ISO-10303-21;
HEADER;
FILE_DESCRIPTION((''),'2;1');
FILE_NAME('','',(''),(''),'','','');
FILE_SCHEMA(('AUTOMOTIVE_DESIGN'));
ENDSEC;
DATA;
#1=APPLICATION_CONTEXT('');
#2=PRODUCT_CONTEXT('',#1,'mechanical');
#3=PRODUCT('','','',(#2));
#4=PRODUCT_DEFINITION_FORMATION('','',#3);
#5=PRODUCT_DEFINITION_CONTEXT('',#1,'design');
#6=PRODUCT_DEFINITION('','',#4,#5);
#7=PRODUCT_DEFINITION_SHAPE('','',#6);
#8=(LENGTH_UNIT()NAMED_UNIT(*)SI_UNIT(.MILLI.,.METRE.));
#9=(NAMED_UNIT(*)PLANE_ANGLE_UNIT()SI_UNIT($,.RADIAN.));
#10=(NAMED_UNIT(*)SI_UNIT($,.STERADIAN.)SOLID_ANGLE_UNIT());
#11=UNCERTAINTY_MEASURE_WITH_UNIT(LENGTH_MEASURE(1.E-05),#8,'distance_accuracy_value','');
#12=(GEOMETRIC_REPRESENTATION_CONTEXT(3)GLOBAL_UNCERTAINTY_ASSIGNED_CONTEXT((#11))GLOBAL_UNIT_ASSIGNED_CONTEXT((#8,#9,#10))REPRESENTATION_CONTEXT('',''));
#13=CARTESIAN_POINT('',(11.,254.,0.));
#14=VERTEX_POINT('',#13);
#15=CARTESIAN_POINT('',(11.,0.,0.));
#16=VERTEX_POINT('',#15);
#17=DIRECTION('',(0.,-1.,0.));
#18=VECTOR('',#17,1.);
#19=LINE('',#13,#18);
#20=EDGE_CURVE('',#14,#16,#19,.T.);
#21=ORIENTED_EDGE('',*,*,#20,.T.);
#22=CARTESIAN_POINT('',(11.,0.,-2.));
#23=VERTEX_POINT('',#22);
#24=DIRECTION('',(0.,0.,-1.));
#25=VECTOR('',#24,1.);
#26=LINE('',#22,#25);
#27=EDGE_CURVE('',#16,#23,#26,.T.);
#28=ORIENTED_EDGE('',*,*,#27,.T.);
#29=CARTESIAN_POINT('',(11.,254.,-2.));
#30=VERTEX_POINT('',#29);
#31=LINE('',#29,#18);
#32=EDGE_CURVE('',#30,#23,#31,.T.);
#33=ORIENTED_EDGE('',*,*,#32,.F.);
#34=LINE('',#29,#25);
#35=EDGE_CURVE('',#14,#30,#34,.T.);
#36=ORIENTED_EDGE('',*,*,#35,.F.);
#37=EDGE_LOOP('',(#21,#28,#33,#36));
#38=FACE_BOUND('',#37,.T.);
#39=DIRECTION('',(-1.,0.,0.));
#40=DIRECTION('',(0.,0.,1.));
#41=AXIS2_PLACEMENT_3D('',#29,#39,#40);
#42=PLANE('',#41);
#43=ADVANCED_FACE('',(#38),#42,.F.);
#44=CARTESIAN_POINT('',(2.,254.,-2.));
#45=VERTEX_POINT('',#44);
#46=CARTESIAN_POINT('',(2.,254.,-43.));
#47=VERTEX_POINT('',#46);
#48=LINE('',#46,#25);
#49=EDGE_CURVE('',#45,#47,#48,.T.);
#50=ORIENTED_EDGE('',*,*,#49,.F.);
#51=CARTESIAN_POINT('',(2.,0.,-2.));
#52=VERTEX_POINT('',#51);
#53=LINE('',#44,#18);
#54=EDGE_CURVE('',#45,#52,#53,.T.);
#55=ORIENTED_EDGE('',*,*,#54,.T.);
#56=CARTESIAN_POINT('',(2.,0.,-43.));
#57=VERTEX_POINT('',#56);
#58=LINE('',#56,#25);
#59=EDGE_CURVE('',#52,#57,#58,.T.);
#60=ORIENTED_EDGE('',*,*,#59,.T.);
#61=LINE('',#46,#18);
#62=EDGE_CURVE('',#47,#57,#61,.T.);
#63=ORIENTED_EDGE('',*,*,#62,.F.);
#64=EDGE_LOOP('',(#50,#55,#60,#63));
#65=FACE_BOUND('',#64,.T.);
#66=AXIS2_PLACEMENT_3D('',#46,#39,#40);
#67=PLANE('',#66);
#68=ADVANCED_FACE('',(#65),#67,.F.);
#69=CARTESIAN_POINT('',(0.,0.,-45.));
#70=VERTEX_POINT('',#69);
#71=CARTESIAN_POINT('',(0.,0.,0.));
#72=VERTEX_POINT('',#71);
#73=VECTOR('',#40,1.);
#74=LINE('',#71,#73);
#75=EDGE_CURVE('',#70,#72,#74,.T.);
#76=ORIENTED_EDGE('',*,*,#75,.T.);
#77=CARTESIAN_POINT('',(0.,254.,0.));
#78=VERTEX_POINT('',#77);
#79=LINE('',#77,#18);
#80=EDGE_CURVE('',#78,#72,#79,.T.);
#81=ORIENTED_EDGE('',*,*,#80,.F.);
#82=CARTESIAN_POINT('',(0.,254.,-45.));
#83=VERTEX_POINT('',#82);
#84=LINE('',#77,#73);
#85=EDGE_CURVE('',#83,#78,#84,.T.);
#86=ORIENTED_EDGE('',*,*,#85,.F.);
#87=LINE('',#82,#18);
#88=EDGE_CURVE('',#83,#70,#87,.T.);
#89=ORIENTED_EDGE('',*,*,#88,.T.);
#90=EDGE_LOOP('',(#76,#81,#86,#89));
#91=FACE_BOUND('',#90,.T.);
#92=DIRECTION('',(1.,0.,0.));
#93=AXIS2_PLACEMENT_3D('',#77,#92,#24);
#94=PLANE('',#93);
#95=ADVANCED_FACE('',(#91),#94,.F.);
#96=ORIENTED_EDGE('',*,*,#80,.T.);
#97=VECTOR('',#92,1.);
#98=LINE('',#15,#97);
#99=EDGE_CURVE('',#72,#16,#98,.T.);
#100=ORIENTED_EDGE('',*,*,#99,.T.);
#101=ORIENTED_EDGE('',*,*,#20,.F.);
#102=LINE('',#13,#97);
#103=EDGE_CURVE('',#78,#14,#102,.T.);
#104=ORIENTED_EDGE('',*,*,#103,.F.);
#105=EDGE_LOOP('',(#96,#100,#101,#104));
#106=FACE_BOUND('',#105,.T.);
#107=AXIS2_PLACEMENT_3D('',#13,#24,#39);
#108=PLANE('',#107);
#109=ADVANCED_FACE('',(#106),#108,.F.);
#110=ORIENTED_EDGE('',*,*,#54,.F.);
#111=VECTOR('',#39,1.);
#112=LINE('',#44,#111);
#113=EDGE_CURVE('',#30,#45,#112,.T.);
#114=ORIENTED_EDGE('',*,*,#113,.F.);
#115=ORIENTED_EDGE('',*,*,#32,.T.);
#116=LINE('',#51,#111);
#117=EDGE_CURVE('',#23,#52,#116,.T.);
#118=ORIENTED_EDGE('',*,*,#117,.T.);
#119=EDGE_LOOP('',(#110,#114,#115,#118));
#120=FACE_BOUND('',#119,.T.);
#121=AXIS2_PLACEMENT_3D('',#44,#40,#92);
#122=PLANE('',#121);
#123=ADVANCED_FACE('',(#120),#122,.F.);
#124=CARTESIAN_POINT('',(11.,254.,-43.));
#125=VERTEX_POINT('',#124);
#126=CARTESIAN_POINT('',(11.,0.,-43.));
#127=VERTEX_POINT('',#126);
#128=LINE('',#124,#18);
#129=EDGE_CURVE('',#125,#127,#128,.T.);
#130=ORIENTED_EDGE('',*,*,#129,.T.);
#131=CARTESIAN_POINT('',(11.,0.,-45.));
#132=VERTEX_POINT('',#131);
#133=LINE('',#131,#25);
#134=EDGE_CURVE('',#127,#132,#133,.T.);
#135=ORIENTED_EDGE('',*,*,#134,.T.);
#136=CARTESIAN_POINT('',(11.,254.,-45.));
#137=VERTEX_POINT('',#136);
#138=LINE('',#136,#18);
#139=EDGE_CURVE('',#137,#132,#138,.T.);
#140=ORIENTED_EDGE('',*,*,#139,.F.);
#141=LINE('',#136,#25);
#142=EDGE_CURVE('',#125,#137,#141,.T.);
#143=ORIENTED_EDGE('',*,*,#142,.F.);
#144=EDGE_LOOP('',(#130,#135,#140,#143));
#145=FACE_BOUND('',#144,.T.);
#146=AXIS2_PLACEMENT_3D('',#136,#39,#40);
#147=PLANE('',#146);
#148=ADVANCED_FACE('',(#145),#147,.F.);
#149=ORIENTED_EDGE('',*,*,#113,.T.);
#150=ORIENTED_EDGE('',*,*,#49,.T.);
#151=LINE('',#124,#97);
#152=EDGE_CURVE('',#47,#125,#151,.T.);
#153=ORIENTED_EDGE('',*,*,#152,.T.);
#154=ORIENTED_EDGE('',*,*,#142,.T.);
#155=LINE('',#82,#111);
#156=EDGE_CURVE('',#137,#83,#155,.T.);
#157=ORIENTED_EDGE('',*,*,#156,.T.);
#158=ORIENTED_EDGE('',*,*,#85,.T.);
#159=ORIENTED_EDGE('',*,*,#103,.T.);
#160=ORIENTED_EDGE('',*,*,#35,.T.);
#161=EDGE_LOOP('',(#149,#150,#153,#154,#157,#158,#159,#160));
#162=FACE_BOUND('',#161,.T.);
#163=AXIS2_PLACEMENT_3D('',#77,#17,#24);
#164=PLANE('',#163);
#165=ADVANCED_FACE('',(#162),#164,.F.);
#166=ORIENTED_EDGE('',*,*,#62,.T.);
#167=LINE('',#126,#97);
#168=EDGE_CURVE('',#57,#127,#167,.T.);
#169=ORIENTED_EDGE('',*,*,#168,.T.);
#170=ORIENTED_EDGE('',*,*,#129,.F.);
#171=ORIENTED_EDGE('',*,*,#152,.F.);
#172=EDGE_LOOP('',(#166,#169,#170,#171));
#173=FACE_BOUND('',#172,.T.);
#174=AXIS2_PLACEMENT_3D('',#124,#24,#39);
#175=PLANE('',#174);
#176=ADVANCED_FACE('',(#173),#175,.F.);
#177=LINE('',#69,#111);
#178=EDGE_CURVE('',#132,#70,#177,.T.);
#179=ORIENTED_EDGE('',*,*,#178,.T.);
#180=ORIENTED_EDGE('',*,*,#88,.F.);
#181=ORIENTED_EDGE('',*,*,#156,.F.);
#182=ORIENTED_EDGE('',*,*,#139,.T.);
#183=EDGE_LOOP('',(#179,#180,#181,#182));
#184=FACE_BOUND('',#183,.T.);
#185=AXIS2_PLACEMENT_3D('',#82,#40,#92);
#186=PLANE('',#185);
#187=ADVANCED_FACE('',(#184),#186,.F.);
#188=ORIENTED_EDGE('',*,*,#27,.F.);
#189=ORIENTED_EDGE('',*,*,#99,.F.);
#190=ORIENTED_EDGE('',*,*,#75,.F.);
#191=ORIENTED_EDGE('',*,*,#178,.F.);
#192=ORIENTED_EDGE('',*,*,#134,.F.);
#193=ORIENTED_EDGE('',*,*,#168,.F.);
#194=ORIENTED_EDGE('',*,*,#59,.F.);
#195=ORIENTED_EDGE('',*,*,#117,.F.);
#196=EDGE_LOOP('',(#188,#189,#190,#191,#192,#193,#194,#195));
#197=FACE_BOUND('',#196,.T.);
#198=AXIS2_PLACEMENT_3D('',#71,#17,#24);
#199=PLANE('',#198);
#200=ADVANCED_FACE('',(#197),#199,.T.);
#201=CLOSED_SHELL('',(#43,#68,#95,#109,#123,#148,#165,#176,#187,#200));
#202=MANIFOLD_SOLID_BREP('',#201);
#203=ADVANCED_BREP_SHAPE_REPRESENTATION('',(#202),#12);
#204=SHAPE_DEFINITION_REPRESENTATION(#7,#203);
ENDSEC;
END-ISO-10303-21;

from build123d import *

# Parameters (mm, degrees)
BOSS_EXTRUDE1_DEPTH = 254


with BuildPart() as part:
    # Sketch1 → Boss-Extrude1 (new body)
    with BuildSketch(Plane(origin=(0, 0, 0), x_dir=(1, 0, 0), z_dir=(0, 1, 0))):
        Polygon((0, 0), (0, 45), (11, 45), (11, 43), (2, 43), (2, 2), (11, 2), (11, 0), align=None)
    extrude(amount=BOSS_EXTRUDE1_DEPTH)


solid = part.part
